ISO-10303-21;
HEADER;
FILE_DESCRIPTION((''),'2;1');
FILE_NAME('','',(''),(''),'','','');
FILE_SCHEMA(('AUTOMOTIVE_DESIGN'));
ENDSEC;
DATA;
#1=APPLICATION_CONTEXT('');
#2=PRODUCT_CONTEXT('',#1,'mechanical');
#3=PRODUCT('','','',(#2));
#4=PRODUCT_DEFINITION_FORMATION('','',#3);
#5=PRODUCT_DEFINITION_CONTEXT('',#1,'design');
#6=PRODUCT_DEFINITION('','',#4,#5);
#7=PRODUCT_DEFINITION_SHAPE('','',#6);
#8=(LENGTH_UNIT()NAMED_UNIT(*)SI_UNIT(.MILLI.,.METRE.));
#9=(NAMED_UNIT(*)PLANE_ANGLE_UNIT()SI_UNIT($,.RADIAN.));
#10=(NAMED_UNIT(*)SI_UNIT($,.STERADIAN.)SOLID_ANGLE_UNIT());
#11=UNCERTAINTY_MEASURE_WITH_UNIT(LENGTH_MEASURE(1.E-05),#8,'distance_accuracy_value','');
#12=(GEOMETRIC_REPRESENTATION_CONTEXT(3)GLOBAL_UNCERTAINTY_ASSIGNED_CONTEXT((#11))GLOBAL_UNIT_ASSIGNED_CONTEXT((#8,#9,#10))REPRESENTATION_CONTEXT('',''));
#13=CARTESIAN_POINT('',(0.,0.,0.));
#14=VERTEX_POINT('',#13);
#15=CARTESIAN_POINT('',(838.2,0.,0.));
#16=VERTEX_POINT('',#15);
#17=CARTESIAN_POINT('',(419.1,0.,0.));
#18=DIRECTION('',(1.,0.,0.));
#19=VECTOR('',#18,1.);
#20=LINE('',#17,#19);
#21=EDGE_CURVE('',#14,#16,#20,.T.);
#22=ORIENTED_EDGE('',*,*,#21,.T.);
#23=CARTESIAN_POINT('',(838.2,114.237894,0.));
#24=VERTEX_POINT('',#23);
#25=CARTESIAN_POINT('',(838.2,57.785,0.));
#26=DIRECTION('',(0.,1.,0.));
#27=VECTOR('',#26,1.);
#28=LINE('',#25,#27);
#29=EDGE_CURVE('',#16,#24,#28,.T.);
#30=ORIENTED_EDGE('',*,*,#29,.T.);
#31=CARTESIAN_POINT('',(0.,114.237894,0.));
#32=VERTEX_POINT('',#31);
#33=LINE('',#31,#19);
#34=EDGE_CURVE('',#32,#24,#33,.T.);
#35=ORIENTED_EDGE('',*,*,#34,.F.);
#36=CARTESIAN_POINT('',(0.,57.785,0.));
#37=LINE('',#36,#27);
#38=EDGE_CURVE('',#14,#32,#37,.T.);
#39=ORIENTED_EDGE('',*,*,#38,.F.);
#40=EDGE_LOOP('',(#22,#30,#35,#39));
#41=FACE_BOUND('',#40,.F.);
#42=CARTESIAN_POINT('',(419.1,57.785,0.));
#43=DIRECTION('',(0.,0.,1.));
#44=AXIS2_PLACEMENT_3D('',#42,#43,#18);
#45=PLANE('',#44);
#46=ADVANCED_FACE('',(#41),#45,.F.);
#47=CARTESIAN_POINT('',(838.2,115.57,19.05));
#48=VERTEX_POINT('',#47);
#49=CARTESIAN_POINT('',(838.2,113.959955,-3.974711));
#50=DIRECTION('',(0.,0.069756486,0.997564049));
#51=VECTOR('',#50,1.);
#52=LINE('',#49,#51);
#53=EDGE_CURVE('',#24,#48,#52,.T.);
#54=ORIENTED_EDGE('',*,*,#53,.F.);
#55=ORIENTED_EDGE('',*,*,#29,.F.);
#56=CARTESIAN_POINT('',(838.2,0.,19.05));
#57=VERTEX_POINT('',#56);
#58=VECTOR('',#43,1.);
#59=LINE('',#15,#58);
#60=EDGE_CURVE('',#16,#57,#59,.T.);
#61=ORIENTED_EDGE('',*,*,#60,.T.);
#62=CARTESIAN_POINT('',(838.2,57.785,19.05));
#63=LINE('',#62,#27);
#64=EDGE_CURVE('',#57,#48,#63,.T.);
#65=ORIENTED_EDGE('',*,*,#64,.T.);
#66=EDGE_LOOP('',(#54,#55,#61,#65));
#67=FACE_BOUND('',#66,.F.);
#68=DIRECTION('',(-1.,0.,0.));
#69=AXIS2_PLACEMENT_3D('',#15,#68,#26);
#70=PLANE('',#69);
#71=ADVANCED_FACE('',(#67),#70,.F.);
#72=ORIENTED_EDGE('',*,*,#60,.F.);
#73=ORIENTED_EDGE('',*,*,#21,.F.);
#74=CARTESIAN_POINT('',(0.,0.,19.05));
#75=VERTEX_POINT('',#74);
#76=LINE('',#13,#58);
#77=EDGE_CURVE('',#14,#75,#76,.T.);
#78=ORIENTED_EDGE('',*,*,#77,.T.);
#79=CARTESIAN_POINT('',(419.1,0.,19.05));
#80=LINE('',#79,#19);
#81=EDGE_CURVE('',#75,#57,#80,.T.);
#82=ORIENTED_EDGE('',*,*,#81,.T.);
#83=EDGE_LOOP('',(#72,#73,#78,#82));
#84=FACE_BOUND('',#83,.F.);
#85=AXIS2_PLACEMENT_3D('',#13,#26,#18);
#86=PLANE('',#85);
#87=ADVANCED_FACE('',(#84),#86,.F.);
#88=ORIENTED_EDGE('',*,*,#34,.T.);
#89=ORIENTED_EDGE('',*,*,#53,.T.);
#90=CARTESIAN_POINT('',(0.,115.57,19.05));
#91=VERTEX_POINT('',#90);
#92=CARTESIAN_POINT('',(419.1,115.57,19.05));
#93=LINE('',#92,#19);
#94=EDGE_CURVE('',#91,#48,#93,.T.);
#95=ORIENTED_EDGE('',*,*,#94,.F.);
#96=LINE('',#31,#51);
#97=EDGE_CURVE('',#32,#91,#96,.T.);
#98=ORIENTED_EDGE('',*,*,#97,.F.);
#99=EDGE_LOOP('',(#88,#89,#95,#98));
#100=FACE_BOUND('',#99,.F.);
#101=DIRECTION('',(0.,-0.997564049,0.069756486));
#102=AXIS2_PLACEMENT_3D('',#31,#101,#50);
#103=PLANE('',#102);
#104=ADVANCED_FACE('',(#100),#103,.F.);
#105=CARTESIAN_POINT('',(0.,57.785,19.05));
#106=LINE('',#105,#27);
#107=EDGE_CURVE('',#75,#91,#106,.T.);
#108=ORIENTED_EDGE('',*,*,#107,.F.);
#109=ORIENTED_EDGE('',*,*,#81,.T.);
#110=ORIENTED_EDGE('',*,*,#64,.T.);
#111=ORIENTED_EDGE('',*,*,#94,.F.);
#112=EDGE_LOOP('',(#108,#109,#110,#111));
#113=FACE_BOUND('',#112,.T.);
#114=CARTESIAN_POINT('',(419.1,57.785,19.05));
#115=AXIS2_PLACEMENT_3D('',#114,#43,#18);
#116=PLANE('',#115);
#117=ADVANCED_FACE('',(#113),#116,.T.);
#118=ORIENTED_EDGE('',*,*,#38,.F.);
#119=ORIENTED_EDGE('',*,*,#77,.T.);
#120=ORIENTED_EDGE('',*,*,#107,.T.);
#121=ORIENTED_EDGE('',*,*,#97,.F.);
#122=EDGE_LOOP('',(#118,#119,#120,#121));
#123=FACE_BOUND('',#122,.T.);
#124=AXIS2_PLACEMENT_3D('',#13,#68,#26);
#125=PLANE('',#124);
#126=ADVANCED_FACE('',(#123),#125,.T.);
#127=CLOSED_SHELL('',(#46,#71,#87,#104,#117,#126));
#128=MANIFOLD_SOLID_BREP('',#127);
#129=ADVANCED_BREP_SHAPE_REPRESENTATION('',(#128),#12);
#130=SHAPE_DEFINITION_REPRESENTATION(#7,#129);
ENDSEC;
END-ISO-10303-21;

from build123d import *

# Parameters (mm, degrees)
F0_W     = 838.2
F0_H     = 115.57
F1_DEPTH = 19.05
F3_DEPTH = 838.201


with BuildPart() as f1:
    # F0 (on Top) → F1 (new body)
    with BuildSketch(Plane.XY):
        with Locations((419.1, 57.785)):
            Rectangle(F0_W, F0_H)
    extrude(amount=F1_DEPTH)

    # F2 (on face) → F3 (cut, through all)
    with BuildSketch(Plane(origin=(0, 0, 0), x_dir=(0, -1, 0), z_dir=(-1, 0, 0))):
        Polygon((-114.237894, 0), (-115.57, 19.05), (-115.57, 0), align=None)
    extrude(amount=-F3_DEPTH, mode=Mode.SUBTRACT)


solid = f1.part
